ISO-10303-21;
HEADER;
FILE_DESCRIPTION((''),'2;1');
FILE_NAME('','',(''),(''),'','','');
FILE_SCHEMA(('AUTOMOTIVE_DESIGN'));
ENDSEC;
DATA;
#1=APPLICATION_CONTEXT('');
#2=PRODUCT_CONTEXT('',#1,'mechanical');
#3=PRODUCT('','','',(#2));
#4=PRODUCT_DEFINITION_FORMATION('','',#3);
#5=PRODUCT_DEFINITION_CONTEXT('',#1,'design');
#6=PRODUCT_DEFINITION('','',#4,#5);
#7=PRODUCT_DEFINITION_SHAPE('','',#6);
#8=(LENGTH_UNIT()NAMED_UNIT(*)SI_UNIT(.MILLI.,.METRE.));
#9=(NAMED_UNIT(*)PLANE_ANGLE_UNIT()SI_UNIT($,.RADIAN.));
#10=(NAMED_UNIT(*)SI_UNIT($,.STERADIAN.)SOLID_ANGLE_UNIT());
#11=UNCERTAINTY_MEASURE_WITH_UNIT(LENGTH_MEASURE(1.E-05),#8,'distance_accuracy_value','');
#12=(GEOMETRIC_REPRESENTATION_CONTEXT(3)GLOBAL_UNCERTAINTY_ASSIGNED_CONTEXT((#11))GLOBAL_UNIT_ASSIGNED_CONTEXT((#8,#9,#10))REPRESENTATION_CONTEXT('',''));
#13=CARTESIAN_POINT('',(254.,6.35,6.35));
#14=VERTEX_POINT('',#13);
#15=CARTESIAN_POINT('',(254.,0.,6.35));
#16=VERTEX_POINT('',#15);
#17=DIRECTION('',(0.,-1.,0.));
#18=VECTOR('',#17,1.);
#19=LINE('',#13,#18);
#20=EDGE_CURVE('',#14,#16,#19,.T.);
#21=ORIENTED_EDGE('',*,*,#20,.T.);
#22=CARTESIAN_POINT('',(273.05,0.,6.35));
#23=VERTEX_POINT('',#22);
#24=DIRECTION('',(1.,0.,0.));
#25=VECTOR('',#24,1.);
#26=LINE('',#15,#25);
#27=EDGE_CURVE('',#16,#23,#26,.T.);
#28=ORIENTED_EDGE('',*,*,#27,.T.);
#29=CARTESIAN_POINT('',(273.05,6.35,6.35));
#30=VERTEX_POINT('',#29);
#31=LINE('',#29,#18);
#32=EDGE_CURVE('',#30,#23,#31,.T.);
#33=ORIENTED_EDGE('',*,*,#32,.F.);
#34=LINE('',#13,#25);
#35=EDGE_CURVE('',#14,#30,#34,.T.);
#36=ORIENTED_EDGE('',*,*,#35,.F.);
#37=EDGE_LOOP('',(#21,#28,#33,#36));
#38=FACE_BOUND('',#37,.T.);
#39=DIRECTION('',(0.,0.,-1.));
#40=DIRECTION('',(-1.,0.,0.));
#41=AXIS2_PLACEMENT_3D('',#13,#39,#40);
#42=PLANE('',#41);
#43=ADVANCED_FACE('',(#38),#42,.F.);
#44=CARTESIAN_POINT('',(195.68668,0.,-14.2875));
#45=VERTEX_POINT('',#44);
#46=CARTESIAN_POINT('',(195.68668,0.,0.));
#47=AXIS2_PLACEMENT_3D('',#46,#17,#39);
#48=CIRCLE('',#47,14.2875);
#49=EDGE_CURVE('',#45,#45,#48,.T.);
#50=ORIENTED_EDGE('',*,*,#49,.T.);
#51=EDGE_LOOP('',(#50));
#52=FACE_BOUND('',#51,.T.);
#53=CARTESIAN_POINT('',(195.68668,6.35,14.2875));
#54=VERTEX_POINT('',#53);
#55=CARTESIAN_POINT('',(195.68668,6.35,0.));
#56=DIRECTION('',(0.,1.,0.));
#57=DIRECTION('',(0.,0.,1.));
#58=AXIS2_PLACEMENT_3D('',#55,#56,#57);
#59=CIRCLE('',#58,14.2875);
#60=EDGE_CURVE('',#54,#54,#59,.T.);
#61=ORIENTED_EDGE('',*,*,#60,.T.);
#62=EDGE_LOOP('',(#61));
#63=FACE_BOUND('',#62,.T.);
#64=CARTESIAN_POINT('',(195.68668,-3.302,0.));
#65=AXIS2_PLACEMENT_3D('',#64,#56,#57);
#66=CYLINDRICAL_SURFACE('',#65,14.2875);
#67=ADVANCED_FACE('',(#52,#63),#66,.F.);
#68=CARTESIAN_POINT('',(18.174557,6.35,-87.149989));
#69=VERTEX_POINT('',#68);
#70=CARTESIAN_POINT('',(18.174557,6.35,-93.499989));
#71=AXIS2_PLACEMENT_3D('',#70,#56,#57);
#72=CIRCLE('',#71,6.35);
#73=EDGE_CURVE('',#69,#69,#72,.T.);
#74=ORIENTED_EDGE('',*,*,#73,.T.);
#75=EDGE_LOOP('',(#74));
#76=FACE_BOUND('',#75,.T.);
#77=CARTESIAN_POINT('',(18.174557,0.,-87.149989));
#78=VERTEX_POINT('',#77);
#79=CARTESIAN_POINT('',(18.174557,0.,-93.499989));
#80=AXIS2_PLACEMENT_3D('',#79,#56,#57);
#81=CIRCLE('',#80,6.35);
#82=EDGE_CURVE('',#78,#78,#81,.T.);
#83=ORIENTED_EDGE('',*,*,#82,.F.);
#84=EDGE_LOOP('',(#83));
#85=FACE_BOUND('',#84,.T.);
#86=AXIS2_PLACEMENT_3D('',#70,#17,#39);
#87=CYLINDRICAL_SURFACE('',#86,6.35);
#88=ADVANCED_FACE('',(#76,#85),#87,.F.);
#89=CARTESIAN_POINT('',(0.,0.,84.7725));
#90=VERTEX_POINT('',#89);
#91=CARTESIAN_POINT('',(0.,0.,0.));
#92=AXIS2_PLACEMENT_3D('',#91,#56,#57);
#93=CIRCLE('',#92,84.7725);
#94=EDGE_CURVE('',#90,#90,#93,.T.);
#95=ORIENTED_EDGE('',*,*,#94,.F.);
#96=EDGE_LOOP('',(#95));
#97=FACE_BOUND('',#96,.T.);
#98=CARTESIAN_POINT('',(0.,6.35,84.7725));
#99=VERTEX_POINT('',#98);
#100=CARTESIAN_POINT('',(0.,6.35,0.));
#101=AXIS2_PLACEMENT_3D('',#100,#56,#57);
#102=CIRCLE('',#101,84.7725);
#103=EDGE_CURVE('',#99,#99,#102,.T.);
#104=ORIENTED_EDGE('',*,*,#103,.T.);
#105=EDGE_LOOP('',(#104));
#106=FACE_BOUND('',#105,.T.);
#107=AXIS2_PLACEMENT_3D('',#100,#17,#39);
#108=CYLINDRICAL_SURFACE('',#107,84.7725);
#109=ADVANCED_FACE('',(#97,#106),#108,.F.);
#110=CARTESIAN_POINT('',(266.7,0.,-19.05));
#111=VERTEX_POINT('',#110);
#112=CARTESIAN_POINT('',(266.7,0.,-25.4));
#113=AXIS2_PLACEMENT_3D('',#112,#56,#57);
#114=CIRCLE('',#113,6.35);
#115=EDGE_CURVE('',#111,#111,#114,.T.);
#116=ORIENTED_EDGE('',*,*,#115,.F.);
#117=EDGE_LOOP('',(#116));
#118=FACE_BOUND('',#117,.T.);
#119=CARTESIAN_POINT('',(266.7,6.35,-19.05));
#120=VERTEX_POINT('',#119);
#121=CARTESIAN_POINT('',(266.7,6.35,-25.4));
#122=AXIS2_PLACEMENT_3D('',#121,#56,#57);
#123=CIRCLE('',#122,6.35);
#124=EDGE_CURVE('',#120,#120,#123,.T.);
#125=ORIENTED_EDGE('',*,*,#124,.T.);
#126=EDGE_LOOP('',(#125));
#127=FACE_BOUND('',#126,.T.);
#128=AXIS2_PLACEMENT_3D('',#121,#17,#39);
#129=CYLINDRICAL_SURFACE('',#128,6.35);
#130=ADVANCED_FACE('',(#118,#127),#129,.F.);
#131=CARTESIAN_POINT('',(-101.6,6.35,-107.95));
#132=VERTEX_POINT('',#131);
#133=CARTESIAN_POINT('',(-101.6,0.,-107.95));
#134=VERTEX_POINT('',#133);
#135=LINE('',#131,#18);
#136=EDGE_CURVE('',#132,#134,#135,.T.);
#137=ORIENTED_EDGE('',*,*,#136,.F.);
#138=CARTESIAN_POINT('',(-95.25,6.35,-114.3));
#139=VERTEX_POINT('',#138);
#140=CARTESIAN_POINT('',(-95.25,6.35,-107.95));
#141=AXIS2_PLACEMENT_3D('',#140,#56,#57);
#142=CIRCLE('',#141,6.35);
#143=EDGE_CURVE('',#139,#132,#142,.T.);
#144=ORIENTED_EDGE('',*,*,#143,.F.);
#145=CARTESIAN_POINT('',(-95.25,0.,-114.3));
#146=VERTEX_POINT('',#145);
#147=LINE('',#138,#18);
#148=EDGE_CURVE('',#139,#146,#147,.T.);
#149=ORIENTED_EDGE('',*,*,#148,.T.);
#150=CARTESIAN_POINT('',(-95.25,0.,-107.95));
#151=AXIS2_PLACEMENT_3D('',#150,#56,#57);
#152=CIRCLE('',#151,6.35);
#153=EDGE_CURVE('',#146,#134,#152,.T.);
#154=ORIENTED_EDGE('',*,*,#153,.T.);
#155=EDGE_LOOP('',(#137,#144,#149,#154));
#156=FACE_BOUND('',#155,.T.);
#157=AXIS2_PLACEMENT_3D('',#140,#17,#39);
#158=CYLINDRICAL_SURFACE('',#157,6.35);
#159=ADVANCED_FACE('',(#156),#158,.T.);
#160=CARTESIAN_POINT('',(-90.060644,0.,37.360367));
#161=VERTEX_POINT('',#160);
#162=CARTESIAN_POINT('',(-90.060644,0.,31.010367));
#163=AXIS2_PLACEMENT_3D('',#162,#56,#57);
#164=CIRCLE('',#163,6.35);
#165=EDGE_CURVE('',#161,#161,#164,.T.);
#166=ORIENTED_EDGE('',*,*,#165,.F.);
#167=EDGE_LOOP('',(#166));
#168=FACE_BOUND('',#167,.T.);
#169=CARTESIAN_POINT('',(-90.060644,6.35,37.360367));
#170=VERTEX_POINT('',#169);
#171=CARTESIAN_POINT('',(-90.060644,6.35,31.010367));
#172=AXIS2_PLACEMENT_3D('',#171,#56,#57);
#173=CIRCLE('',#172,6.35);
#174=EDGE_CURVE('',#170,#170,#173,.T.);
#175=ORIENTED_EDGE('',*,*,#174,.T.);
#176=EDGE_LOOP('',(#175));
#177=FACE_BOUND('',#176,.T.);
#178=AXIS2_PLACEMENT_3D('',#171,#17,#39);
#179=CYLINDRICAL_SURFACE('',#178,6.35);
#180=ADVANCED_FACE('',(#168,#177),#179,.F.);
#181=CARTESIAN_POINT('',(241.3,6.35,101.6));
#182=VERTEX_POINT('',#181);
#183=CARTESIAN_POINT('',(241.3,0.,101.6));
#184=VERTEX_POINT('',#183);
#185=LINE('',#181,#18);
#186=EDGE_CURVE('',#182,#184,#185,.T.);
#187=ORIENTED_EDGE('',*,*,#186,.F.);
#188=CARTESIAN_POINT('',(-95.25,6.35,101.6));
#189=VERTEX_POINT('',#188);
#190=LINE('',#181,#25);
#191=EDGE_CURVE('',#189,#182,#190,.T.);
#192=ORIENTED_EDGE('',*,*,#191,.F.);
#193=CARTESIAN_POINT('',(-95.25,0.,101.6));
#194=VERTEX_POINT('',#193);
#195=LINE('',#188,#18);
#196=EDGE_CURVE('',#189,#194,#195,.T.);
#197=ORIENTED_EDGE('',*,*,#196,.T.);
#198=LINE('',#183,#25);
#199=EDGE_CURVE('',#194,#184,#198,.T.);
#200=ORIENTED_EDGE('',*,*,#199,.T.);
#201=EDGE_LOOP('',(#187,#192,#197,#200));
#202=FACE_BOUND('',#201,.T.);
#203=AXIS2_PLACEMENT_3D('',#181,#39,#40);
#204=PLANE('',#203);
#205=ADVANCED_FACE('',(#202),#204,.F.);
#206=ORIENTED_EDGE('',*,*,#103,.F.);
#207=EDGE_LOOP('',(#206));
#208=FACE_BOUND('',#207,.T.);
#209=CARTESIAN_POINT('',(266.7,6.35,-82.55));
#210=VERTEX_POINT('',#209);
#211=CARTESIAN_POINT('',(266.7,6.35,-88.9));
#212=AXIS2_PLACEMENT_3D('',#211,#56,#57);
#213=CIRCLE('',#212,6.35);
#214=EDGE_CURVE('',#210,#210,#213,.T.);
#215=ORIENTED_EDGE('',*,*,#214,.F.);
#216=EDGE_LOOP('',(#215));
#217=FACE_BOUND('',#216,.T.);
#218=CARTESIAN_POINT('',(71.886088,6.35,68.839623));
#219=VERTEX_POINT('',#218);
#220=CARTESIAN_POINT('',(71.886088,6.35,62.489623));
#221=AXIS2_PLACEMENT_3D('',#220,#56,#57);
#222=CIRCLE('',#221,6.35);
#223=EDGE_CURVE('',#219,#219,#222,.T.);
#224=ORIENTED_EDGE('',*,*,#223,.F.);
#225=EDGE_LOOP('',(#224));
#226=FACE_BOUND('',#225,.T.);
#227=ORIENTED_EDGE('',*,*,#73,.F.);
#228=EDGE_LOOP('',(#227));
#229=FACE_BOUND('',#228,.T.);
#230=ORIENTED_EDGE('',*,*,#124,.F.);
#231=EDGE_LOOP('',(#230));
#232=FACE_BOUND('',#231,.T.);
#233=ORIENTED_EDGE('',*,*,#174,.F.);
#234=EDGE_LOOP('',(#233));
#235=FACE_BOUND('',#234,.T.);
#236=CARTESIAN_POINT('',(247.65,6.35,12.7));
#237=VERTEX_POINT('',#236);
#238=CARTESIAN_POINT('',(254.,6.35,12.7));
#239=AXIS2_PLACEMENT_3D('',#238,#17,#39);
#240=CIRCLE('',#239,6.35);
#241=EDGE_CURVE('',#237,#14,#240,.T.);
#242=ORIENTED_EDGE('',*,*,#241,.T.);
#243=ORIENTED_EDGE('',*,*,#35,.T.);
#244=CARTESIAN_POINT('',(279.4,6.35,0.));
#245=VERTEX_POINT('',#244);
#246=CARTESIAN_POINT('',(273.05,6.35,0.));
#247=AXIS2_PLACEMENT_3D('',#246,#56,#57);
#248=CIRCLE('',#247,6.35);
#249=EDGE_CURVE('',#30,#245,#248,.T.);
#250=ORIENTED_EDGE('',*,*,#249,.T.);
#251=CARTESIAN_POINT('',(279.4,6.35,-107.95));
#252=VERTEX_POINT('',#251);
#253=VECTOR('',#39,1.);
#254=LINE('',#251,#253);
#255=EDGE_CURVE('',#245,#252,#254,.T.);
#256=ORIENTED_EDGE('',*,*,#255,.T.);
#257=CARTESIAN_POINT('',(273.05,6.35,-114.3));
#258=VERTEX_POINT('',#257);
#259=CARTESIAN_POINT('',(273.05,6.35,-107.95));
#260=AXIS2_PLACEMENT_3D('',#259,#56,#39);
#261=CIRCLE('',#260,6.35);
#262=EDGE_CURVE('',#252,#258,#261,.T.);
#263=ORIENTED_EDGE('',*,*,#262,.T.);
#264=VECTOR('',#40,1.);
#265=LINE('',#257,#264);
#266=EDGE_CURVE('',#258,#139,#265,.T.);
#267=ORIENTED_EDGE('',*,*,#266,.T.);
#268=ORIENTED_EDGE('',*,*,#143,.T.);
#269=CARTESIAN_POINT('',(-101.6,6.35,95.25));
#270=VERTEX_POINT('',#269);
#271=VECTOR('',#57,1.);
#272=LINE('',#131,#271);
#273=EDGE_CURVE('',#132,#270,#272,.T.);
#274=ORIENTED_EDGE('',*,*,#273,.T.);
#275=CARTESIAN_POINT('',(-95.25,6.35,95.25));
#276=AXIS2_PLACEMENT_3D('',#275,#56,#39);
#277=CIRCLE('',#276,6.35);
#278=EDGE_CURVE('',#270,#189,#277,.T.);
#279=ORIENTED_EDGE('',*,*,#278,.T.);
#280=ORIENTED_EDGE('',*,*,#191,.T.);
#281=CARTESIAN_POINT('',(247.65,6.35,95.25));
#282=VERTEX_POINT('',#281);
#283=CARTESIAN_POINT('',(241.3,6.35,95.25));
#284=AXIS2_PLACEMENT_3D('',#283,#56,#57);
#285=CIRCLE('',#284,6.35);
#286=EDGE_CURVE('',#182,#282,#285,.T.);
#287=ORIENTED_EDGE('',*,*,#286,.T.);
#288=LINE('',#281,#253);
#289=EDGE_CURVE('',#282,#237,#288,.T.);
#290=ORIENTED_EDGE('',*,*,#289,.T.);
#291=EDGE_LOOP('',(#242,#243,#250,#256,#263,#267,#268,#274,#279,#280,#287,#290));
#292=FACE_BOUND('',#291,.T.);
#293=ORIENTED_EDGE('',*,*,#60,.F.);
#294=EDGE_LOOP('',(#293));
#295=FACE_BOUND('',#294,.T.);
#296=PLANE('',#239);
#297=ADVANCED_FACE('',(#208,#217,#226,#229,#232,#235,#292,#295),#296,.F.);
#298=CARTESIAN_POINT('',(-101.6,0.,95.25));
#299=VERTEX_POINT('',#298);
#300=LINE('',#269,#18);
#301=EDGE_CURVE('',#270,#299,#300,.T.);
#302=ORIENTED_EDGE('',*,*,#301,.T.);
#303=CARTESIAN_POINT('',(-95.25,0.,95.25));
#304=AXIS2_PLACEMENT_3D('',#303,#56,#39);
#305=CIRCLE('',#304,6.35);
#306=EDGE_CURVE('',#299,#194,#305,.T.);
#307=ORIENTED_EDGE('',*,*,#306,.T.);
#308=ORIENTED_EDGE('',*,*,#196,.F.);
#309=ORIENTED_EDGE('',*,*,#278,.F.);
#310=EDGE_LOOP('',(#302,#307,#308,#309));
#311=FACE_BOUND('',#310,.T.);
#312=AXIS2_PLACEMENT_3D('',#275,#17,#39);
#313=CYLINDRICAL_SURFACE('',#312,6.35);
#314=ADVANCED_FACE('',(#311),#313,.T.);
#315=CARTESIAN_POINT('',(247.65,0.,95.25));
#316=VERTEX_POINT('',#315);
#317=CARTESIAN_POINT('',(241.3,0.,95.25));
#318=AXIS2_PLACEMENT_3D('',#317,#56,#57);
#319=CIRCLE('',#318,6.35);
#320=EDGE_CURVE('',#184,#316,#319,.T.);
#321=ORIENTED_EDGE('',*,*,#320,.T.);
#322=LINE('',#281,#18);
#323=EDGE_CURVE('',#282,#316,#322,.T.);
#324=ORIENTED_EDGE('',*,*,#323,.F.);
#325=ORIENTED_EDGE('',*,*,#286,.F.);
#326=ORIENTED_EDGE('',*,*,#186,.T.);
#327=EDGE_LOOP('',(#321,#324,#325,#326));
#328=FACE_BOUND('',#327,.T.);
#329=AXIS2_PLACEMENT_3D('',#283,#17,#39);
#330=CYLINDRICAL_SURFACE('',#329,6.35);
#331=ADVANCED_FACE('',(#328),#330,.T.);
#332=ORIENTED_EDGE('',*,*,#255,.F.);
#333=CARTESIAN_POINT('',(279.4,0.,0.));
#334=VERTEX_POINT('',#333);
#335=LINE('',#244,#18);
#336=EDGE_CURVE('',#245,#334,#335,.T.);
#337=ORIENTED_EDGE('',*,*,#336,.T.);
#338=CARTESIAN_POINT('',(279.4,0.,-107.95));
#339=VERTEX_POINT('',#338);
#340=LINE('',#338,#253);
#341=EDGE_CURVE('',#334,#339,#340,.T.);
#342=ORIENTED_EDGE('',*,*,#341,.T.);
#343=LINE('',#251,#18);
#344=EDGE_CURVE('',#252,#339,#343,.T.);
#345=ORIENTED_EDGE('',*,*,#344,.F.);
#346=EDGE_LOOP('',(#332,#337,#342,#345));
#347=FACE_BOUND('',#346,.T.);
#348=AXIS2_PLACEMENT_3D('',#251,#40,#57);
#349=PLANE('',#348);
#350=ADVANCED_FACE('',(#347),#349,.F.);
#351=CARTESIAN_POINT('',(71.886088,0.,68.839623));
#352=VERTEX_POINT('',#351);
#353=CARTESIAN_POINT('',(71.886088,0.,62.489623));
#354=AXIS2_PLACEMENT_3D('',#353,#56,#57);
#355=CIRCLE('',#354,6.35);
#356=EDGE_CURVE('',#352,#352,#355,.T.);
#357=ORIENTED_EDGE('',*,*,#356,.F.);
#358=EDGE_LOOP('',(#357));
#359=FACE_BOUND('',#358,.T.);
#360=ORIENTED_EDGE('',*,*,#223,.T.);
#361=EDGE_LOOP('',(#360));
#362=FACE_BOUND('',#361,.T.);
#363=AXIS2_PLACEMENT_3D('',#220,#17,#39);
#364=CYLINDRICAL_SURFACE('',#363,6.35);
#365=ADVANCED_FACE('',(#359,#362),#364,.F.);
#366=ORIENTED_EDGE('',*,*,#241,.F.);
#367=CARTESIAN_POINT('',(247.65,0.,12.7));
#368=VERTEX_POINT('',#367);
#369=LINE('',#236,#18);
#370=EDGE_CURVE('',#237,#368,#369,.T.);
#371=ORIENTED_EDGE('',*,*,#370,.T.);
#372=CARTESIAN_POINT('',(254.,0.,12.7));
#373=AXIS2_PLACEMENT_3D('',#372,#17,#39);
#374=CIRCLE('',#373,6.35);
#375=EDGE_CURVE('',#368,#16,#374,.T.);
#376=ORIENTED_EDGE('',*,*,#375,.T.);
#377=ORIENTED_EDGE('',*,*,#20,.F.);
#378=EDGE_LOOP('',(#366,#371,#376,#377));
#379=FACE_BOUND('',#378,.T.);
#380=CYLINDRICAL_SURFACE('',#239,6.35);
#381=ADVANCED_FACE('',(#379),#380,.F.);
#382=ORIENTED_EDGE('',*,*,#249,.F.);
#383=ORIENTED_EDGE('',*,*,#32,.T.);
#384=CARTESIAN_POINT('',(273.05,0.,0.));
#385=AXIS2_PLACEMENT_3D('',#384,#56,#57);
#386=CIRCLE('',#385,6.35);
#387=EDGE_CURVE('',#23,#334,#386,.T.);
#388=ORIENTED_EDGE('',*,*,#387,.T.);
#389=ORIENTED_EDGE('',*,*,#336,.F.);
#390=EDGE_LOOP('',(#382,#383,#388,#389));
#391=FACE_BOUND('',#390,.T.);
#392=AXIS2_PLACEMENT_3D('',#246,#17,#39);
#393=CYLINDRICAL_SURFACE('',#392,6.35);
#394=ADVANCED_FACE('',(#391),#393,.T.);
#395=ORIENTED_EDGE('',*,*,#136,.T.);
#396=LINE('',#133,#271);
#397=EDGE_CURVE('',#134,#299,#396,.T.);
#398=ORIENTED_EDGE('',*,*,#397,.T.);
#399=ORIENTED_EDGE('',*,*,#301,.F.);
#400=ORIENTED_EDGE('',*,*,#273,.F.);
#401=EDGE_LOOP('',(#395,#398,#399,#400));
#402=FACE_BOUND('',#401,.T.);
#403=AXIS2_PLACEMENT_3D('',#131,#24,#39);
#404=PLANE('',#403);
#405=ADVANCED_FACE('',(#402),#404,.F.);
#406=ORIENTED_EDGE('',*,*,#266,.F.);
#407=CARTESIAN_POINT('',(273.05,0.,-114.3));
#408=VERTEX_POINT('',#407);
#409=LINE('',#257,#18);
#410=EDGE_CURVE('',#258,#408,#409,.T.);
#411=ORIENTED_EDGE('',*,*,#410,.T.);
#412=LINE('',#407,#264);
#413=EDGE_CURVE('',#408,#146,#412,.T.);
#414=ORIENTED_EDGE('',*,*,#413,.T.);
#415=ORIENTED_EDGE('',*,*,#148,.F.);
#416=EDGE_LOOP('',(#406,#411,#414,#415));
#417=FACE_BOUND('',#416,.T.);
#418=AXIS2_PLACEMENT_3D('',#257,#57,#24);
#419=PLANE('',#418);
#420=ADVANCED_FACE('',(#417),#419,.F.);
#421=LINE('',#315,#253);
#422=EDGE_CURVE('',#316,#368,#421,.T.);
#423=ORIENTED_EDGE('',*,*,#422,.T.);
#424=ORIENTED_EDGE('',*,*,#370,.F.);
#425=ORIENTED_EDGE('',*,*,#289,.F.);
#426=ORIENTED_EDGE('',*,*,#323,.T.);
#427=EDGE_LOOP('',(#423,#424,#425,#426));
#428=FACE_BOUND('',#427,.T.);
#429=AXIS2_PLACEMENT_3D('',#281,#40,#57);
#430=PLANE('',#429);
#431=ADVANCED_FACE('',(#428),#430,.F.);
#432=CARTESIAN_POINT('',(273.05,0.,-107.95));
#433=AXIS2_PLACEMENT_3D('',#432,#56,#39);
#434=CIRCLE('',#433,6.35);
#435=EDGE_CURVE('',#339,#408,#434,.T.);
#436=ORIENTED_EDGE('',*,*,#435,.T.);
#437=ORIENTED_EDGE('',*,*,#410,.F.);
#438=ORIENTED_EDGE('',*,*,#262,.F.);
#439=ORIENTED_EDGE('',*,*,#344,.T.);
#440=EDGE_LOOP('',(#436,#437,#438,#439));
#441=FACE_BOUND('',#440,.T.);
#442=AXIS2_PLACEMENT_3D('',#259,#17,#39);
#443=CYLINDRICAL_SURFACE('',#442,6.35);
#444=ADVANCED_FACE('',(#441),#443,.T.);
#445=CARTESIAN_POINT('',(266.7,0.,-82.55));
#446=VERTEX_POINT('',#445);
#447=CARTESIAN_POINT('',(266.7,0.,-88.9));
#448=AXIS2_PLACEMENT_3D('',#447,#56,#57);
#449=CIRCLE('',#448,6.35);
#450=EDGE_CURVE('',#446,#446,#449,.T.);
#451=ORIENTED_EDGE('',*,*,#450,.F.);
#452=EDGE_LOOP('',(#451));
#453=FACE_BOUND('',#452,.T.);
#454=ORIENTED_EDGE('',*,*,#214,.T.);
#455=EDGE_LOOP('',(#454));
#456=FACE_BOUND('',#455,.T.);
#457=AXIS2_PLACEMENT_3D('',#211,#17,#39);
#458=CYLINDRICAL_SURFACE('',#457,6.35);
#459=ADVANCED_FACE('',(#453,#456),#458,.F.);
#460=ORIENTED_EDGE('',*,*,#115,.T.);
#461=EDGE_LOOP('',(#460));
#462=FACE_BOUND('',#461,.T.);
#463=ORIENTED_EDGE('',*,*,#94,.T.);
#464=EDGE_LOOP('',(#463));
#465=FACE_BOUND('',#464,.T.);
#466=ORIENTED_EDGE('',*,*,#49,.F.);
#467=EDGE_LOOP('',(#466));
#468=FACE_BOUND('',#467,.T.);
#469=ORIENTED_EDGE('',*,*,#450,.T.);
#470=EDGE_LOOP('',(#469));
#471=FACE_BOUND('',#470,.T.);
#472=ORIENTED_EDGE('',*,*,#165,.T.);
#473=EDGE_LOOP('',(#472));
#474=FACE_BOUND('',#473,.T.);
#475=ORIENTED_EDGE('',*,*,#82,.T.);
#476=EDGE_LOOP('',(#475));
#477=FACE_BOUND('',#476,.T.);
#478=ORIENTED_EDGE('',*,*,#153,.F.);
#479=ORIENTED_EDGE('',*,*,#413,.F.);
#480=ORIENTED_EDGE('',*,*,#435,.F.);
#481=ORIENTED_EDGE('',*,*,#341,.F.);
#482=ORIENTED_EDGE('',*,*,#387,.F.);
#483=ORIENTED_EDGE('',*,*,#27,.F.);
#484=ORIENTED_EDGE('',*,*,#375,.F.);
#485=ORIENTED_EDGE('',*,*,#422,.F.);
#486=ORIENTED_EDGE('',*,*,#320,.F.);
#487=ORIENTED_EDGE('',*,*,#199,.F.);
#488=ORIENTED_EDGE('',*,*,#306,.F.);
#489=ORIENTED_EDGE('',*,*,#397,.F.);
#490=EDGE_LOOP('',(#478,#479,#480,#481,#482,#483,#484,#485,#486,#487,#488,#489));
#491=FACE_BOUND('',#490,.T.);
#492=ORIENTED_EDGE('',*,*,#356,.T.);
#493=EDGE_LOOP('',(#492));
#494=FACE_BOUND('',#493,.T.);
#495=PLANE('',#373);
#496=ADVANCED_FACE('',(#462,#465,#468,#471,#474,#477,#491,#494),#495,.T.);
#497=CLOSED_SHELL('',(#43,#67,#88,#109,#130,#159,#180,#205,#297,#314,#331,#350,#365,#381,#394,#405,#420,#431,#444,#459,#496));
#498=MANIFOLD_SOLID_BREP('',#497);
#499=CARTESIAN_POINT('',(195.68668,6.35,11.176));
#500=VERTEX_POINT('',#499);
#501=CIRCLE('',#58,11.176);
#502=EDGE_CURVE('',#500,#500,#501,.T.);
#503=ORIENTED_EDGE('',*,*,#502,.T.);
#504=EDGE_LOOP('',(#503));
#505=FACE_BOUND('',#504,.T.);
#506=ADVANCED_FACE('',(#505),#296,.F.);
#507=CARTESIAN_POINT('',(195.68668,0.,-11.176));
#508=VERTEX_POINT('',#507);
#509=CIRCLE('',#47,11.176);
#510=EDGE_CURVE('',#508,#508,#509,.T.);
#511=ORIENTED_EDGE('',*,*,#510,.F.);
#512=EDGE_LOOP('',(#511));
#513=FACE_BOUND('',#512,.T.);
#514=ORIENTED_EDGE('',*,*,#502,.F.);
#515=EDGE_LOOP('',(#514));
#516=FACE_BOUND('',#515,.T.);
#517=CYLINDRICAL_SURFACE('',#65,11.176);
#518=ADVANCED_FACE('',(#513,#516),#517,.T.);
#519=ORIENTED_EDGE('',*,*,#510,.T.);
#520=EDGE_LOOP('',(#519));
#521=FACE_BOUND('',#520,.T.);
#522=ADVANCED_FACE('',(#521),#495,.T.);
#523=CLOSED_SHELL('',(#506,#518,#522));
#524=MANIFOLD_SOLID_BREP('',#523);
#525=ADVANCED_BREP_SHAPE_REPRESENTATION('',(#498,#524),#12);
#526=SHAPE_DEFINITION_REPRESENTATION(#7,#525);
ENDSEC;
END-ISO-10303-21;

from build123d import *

# Parameters (mm, degrees)
SKETCH1_R           = 84.7725
SKETCH1_R_2         = 6.35
BOSS_EXTRUDE1_DEPTH = 6.35
SKETCH4_R           = 14.2875
SKETCH4_R_2         = 11.176
CUT_EXTRUDE1_DEPTH  = 9.652


with BuildPart() as part:
    # Sketch1 → Boss-Extrude1 (new body)
    with BuildSketch(Plane(origin=(0, 0, 0), x_dir=(1, 0, 0), z_dir=(0, 1, 0))):
        with BuildLine():
            Line((273.05, 114.3), (-95.25, 114.3))
            ThreePointArc((-95.25, 114.3), (-99.740128061, 112.440128061), (-101.6, 107.95))
            Line((-101.6, 107.95), (-101.6, -95.25))
            ThreePointArc((-101.6, -95.25), (-99.740128061, -99.740128061), (-95.25, -101.6))
            Line((-95.25, -101.6), (241.3, -101.6))
            ThreePointArc((241.3, -101.6), (245.790128061, -99.740128061), (247.65, -95.25))
            Line((247.65, -95.25), (247.65, -12.7))
            ThreePointArc((247.65, -12.7), (249.509871939, -8.209871939), (254, -6.35))
            Line((254, -6.35), (273.05, -6.35))
            ThreePointArc((273.05, -6.35), (277.540128061, -4.490128061), (279.4, 0))
            Line((279.4, 0), (279.4, 107.95))
            ThreePointArc((279.4, 107.95), (277.540128061, 112.440128061), (273.05, 114.3))
        make_face()
        with Locations(Location((0, 0, 0), (0, 0, 270))):
            Circle(SKETCH1_R, mode=Mode.SUBTRACT)
        with Locations(Location((-90.060644326, -31.010366712, 0), (0, 0, 270))):
            Circle(SKETCH1_R_2, mode=Mode.SUBTRACT)
        with Locations(Location((18.17455681, 93.499989223, 0), (0, 0, 270))):
            Circle(SKETCH1_R_2, mode=Mode.SUBTRACT)
        with Locations(Location((71.886087516, -62.489622511, 0), (0, 0, 270))):
            Circle(SKETCH1_R_2, mode=Mode.SUBTRACT)
        with Locations(Location((266.7, 88.9, 0), (0, 0, 270))):
            Circle(SKETCH1_R_2, mode=Mode.SUBTRACT)
        with Locations(Location((266.7, 25.4, 0), (0, 0, 270))):
            Circle(SKETCH1_R_2, mode=Mode.SUBTRACT)
    extrude(amount=BOSS_EXTRUDE1_DEPTH)

    # Sketch4 → Cut-Extrude1 (cut)
    with BuildSketch(Plane(origin=(0, 6.35, 0), x_dir=(1, 0, 0), z_dir=(0, 1, 0))):
        with Locations(Location((195.68668, 0, 0), (0, 0, 270))):
            Circle(SKETCH4_R)
        with Locations(Location((195.68668, 0, 0), (0, 0, 270))):
            Circle(SKETCH4_R_2, mode=Mode.SUBTRACT)
    extrude(amount=-CUT_EXTRUDE1_DEPTH, mode=Mode.SUBTRACT)


with BuildPart() as cut_extrude1_piece_1:
    # of the separate pieces the step leaves, piece 1, a body of its own (cut_extrude1_pieces)
    add(part.part.solids().sort_by_distance((273.05, 0, -114.3))[0])


with BuildPart() as cut_extrude1_piece_2:
    # of the separate pieces the step leaves, piece 2, a body of its own (cut_extrude1_pieces)
    add(part.part.solids().sort_by_distance((195.68668, 0, 11.176))[0])


solid = Compound([cut_extrude1_piece_1.part, cut_extrude1_piece_2.part])
